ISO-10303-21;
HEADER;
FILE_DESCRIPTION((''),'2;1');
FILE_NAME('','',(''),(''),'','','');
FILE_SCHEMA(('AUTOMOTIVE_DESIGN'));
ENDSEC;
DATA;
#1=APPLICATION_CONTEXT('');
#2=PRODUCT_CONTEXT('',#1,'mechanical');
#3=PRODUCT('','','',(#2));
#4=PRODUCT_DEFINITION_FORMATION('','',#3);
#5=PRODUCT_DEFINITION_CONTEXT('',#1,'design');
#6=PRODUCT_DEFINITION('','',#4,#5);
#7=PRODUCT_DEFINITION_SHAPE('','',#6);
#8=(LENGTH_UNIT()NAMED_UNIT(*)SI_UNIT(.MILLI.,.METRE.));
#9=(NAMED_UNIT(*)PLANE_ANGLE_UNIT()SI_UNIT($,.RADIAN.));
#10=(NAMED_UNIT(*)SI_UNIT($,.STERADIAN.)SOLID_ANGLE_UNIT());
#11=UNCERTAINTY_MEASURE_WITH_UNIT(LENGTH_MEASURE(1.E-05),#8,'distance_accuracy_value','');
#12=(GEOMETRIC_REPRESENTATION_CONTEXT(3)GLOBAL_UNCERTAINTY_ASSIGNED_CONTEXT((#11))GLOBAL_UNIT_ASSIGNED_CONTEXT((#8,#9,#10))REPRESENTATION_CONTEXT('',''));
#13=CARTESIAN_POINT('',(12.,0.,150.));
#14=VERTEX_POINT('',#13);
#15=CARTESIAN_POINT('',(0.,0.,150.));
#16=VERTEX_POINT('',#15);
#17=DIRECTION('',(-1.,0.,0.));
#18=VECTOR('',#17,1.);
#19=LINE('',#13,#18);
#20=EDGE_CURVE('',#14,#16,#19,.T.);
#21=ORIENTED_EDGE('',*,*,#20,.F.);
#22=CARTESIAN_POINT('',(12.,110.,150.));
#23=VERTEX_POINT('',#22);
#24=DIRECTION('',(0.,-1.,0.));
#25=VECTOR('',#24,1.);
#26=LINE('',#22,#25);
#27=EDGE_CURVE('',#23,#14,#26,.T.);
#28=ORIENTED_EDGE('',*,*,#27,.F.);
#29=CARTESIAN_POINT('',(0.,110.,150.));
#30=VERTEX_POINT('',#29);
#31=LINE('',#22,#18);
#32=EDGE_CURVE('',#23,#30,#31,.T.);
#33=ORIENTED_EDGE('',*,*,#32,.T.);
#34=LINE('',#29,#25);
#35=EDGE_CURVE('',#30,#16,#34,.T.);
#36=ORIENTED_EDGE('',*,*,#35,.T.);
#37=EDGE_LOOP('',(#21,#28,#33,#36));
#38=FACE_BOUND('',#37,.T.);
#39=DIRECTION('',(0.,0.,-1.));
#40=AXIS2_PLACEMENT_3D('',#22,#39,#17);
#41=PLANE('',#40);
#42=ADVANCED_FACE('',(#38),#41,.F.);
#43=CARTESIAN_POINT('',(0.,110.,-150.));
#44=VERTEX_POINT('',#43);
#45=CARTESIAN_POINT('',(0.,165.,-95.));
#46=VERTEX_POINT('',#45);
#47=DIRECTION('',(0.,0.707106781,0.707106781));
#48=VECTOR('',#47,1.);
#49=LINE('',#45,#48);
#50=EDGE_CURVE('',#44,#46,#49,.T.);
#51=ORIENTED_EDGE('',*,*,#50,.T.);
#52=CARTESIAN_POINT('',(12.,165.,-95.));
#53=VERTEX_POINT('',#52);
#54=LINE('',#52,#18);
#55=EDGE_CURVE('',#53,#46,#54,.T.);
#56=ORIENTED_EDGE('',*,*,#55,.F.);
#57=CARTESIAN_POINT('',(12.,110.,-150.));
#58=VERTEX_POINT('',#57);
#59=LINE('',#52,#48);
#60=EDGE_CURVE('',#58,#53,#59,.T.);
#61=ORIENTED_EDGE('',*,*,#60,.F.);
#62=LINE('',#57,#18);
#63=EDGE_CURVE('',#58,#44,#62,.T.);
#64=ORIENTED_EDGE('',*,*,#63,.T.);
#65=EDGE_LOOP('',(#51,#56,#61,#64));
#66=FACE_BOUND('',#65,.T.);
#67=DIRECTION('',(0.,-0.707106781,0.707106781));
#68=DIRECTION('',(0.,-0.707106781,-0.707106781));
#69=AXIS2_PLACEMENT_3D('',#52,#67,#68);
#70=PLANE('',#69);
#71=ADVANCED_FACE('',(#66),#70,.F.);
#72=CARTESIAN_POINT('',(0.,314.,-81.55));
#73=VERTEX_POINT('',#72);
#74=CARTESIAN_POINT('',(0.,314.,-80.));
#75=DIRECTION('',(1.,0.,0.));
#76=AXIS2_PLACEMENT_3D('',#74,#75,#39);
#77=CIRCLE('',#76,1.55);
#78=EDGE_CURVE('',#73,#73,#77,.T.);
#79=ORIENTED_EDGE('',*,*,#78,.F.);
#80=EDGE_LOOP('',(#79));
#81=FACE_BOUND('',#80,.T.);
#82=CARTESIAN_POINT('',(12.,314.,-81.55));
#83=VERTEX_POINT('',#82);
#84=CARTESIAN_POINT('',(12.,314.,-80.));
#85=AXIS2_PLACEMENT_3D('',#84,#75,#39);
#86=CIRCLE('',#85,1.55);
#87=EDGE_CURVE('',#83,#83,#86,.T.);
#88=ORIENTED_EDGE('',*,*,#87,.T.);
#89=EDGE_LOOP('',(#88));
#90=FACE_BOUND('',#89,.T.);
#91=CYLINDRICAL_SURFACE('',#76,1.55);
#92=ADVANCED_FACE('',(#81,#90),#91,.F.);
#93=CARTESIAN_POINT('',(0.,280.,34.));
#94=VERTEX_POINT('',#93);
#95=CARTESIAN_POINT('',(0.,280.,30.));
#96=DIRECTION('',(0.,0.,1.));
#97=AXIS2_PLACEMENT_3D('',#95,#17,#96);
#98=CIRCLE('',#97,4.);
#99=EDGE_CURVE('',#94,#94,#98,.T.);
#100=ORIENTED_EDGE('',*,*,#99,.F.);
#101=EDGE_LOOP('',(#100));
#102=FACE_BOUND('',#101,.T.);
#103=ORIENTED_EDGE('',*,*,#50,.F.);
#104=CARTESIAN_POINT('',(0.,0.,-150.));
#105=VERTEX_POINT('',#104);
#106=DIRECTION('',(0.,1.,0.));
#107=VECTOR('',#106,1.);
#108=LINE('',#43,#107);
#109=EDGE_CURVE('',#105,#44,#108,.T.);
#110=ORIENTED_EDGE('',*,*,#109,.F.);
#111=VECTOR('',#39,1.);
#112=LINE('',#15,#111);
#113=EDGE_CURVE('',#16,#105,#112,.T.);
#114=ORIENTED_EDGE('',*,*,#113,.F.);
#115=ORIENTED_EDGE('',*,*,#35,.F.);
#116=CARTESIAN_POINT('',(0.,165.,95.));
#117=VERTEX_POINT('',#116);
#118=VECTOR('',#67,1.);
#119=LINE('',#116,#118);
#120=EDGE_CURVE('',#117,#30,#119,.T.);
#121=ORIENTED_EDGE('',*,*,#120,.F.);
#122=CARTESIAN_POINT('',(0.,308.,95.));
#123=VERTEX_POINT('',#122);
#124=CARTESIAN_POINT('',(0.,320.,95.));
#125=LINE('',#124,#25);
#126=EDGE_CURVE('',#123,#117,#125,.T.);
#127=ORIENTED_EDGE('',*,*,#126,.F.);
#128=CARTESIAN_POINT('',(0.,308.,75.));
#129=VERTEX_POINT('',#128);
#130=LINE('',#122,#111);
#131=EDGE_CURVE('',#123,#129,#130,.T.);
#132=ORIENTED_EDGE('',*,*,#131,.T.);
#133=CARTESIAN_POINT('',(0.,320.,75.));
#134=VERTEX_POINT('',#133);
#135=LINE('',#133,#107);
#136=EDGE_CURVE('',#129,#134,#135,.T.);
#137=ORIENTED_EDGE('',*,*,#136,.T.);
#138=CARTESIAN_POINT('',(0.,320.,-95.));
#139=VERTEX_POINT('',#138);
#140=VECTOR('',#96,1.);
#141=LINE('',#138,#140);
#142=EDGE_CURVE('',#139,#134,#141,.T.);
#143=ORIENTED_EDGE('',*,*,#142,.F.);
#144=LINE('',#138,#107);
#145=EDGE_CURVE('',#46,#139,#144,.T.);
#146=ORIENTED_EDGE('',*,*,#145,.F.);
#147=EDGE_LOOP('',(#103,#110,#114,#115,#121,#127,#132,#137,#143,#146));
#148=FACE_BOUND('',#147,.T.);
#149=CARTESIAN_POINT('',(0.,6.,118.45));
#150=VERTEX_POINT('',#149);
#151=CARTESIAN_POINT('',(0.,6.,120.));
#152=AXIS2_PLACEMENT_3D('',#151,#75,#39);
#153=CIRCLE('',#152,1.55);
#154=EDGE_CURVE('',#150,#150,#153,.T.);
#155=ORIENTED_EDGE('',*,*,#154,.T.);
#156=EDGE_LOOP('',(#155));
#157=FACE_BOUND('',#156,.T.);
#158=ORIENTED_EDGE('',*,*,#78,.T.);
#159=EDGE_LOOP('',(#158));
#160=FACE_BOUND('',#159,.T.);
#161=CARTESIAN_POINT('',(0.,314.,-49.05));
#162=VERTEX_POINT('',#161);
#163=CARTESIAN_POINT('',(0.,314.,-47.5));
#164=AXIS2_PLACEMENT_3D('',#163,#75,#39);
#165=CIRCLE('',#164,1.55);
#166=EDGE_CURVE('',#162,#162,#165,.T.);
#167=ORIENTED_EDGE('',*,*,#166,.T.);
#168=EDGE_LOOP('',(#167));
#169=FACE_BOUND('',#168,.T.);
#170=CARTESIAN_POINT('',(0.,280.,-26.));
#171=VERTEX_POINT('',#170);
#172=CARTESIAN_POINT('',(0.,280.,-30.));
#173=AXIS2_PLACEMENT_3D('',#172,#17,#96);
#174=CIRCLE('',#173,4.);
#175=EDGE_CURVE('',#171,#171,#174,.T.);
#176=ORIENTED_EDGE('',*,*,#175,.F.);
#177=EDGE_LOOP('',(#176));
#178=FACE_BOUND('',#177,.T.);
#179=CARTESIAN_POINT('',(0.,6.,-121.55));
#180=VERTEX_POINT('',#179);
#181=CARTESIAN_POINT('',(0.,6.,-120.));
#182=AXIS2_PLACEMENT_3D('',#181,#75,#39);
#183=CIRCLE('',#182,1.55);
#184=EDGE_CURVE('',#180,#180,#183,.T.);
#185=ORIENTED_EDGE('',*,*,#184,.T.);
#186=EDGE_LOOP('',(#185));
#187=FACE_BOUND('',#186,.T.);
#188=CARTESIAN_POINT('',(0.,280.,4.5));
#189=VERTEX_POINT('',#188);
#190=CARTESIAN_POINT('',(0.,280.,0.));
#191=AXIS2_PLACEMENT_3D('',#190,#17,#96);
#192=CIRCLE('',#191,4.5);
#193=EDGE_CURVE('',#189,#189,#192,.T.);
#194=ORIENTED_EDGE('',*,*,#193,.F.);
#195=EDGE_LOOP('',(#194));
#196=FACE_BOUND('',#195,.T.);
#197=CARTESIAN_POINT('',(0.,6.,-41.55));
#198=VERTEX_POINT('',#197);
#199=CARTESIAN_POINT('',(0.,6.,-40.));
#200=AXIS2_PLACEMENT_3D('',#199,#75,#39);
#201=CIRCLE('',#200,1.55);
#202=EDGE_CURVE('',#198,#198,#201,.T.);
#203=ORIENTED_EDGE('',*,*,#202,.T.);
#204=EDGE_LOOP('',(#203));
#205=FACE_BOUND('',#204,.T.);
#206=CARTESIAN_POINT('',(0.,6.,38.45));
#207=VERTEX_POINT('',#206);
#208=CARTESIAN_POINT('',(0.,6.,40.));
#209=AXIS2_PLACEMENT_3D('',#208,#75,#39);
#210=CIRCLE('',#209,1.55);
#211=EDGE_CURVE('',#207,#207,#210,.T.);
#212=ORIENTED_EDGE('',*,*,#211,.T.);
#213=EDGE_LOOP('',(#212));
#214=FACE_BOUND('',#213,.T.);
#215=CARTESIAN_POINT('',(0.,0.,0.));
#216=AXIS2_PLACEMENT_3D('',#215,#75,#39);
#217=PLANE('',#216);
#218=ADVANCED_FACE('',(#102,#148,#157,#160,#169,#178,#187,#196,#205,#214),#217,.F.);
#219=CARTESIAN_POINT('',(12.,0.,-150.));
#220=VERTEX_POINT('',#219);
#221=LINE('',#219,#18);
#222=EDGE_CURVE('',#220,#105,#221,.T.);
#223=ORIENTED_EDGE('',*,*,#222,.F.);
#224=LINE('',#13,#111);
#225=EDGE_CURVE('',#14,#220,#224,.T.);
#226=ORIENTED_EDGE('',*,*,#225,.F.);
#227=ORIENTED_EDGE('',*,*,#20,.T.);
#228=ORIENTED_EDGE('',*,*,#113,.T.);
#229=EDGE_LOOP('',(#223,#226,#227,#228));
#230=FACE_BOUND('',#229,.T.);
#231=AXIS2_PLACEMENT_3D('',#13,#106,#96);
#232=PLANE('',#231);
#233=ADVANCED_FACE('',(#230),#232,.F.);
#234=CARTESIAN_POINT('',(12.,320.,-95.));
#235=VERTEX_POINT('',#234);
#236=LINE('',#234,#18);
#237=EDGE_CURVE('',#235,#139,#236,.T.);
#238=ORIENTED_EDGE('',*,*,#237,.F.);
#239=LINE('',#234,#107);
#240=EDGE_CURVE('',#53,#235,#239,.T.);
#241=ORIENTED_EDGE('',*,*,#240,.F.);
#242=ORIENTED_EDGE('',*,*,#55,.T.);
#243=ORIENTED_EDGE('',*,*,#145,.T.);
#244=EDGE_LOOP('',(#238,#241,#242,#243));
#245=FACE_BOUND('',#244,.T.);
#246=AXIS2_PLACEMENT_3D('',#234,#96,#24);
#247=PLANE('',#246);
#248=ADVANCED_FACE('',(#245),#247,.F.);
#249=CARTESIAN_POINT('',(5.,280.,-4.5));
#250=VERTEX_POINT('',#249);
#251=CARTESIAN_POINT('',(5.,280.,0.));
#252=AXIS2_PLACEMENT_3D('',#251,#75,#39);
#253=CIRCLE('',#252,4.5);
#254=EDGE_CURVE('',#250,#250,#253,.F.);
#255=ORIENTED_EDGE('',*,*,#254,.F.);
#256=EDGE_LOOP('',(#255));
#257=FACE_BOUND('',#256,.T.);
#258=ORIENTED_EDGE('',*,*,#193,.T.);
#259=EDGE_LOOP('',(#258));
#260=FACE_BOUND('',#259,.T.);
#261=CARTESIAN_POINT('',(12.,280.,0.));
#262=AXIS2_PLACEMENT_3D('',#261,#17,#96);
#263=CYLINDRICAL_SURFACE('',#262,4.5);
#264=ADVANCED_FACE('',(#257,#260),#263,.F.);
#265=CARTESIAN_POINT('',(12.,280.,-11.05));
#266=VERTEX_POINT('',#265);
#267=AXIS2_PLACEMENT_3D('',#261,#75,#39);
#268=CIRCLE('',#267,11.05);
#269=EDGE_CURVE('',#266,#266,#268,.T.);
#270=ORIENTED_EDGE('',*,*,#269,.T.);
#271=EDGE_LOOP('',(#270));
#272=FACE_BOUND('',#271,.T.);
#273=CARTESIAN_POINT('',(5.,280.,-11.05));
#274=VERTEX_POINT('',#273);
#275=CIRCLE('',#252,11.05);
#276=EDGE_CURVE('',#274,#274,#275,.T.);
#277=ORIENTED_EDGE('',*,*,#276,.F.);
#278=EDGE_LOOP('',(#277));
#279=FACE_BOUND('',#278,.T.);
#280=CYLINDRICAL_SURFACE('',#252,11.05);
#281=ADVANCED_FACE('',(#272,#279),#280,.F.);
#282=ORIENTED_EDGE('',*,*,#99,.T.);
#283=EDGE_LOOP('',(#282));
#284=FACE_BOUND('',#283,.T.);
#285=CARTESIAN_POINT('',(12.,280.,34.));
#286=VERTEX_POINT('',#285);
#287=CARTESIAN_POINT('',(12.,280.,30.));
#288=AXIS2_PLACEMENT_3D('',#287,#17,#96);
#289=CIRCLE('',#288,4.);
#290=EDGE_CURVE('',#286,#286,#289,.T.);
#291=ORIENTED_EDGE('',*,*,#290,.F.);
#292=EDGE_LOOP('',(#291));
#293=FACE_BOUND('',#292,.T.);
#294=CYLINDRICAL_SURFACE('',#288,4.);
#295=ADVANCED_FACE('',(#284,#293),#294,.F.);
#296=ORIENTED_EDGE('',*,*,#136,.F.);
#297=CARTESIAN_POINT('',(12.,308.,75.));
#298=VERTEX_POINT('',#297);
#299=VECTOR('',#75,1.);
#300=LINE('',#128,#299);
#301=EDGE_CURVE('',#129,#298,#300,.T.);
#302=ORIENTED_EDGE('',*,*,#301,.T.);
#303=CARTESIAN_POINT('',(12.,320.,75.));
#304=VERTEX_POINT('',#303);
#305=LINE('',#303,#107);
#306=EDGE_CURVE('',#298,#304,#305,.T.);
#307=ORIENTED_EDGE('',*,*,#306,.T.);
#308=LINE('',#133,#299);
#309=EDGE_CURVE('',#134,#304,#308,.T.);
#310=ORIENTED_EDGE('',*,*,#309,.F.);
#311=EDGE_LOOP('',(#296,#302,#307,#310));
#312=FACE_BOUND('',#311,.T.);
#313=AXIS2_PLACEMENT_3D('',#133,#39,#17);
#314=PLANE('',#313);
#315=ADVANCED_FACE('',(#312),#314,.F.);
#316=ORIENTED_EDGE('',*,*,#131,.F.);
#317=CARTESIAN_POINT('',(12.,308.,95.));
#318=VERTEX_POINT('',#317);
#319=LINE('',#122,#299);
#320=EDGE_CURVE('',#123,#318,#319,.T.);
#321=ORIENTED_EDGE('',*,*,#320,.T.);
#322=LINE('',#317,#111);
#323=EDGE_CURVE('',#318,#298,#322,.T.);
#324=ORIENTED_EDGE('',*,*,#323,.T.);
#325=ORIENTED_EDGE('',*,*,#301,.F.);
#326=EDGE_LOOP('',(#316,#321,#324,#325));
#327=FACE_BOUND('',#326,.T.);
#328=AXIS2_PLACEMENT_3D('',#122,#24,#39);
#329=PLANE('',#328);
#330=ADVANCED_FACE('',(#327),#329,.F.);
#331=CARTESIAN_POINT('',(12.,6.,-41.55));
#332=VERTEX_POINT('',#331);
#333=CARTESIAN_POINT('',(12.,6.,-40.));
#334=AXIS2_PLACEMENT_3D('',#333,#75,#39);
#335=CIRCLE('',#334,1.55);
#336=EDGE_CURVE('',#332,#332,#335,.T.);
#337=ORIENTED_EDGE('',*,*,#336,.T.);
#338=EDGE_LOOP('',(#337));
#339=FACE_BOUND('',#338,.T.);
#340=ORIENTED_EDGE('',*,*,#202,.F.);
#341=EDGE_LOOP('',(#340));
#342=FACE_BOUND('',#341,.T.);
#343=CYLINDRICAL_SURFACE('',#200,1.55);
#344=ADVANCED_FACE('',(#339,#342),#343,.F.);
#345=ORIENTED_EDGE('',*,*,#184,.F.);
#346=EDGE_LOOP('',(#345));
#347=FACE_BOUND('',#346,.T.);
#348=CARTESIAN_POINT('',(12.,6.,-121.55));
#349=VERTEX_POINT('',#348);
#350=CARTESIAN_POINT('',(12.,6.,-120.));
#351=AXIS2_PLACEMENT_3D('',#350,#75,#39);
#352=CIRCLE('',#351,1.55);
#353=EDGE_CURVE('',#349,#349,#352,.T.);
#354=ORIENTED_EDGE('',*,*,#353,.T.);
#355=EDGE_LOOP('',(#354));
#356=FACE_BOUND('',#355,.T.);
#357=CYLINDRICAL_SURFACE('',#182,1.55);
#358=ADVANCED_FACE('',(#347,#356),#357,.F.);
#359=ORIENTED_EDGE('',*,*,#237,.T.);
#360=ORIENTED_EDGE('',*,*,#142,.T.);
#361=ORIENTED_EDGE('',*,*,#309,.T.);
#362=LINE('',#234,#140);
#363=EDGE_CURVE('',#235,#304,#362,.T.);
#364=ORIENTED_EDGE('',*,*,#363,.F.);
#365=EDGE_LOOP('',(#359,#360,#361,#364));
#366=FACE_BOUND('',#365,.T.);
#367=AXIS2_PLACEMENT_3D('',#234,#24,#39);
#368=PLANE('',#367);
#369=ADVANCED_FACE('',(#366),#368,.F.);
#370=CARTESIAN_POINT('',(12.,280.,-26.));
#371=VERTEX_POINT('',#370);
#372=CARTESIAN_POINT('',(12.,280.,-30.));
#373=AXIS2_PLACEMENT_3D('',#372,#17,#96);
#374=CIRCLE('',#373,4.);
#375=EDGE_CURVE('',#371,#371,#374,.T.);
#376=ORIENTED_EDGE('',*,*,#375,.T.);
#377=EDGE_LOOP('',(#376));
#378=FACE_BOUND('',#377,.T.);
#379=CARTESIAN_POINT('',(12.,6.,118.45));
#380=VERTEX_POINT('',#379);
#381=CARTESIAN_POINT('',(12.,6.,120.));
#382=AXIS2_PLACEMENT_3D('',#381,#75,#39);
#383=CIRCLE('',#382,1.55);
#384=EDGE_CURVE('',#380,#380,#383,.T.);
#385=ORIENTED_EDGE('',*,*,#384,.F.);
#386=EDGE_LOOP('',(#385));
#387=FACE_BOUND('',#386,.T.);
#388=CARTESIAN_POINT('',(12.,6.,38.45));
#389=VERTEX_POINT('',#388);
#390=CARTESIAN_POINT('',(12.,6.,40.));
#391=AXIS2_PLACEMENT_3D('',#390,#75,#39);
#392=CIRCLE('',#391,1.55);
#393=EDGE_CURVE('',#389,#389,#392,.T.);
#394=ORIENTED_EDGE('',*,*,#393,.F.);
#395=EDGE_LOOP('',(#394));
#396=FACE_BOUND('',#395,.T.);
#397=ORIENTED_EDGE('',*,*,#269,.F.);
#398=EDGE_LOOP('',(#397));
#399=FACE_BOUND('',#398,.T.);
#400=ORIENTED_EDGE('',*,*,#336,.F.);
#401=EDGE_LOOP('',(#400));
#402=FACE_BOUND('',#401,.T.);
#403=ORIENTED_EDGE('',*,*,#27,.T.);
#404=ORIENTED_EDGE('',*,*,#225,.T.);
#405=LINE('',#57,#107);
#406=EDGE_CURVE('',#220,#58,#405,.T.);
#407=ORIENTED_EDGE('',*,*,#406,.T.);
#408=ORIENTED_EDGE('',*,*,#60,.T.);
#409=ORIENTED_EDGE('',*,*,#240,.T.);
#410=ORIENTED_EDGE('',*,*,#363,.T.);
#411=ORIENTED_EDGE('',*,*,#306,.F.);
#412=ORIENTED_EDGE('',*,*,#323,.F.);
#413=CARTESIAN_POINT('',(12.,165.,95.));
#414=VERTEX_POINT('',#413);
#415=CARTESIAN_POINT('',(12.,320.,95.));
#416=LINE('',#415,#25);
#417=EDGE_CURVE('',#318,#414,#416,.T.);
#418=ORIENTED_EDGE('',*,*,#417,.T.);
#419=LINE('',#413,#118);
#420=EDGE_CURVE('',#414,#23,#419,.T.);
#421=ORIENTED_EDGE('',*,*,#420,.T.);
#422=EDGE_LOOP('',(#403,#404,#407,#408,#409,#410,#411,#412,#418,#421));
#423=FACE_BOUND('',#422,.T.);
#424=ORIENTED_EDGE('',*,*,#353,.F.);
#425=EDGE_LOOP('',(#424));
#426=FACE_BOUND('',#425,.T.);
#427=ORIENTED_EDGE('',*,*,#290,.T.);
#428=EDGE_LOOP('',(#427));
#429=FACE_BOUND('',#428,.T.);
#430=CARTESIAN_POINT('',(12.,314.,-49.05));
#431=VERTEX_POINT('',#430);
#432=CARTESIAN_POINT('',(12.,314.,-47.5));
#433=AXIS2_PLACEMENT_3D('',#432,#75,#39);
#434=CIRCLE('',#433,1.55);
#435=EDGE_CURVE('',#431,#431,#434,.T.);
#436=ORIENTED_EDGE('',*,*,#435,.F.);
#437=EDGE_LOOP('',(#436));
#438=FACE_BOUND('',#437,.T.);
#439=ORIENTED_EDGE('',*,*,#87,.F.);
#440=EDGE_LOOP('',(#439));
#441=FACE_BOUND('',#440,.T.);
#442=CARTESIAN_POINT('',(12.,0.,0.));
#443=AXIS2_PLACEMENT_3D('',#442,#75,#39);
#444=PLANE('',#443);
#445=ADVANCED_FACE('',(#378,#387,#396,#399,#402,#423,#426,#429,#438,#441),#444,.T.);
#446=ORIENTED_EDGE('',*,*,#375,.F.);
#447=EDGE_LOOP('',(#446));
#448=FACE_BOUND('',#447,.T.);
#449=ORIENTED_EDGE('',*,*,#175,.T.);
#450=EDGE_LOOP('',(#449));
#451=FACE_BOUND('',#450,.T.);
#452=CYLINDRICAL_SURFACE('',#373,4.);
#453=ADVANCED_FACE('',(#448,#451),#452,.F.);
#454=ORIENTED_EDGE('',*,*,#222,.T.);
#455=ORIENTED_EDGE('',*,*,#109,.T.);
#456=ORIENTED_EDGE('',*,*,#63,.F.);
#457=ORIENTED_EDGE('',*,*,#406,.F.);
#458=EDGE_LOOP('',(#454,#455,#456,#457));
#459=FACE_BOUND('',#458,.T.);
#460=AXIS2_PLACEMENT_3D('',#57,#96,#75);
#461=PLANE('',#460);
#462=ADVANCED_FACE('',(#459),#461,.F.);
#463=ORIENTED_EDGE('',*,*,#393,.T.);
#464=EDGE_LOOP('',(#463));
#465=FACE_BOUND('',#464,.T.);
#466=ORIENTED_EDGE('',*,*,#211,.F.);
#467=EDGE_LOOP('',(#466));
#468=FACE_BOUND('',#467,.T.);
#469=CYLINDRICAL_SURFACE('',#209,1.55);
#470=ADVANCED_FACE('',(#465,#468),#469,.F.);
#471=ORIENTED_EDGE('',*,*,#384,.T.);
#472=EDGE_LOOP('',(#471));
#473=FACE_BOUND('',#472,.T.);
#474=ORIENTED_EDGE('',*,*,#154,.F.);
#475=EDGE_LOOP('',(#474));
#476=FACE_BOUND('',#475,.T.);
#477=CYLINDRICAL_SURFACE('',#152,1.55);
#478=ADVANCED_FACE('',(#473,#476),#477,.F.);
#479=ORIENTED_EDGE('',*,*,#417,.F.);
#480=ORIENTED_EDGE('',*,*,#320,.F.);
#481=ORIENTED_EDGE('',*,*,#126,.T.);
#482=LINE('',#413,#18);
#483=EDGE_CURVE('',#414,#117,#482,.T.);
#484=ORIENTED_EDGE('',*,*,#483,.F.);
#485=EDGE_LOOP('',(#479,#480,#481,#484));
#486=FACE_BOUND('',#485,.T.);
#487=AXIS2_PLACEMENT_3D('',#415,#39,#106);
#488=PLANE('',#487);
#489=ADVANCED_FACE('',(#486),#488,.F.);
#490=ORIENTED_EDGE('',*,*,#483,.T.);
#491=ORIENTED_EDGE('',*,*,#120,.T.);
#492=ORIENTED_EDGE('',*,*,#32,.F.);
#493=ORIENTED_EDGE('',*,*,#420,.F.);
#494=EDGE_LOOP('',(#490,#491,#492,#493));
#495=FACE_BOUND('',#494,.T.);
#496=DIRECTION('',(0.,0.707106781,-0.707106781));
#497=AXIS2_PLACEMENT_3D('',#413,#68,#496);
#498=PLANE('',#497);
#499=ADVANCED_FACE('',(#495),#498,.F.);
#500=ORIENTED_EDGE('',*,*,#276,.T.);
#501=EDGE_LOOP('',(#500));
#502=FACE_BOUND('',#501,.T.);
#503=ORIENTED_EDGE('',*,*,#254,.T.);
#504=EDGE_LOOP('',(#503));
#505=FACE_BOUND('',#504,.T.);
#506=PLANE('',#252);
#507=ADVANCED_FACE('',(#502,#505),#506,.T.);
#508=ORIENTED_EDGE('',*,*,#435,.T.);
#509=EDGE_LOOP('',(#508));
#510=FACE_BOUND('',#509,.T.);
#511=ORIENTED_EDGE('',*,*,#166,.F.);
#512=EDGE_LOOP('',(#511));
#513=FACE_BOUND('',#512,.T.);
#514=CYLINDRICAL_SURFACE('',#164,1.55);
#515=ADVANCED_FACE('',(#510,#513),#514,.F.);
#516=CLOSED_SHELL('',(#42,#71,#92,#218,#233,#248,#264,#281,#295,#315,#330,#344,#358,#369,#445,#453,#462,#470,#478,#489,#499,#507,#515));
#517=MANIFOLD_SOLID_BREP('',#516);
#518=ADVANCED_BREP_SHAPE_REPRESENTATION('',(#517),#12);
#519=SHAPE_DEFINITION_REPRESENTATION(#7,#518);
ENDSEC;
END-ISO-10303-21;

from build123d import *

# Parameters (mm, degrees)
BOSS_EXTRUDE1_DEPTH = 12
SKETCH2_R           = 4
CUT_EXTRUDE1_DEPTH  = 13
SKETCH3_R           = 4.5
CUT_EXTRUDE2_DEPTH  = 13
SKETCH4_R           = 11.05
CUT_EXTRUDE3_DEPTH  = 7
SKETCH5_W           = 20
SKETCH5_H           = 12
CUT_EXTRUDE4_DEPTH  = 13
SKETCH6_R           = 1.55
CUT_EXTRUDE5_DEPTH  = 13


with BuildPart() as part:
    # Sketch1 → Boss-Extrude1 (new body)
    with BuildSketch(Plane(origin=(0, 0, 0), x_dir=(0, 0, -1), z_dir=(1, 0, 0))):
        Polygon((95, 320), (-95, 320), (-95, 165), (-150, 110), (-150, 0), (150, 0), (150, 110), (95, 165), align=None)
    extrude(amount=BOSS_EXTRUDE1_DEPTH)

    # Sketch2 → Cut-Extrude1 (cut, through all)
    with BuildSketch(Plane.ZY):
        with Locations((30, 280)):
            Circle(SKETCH2_R)
        with Locations((-30, 280)):
            Circle(SKETCH2_R)
    extrude(amount=-CUT_EXTRUDE1_DEPTH, mode=Mode.SUBTRACT)

    # Sketch3 → Cut-Extrude2 (cut, through all)
    with BuildSketch(Plane.ZY):
        with Locations((0, 280)):
            Circle(SKETCH3_R)
    extrude(amount=-CUT_EXTRUDE2_DEPTH, mode=Mode.SUBTRACT)

    # Sketch4 → Cut-Extrude3 (cut)
    with BuildSketch(Plane(origin=(12, 0, 0), x_dir=(0, 0, -1), z_dir=(1, 0, 0))):
        with Locations((0, 280)):
            Circle(SKETCH4_R)
    extrude(amount=-CUT_EXTRUDE3_DEPTH, mode=Mode.SUBTRACT)

    # Sketch5 → Cut-Extrude4 (cut, through all)
    with BuildSketch(Plane(origin=(12, 0, 0), x_dir=(0, 0, -1), z_dir=(1, 0, 0))):
        with Locations((-85, 314)):
            Rectangle(SKETCH5_W, SKETCH5_H)
    extrude(amount=-CUT_EXTRUDE4_DEPTH, mode=Mode.SUBTRACT)

    # Sketch6 → Cut-Extrude5 (cut, through all)
    with BuildSketch(Plane(origin=(12, 0, 0), x_dir=(0, 0, -1), z_dir=(1, 0, 0))):
        with Locations((-120, 6)):
            Circle(SKETCH6_R)
        with Locations((-40, 6)):
            Circle(SKETCH6_R)
        with Locations((40, 6)):
            Circle(SKETCH6_R)
        with Locations((120, 6)):
            Circle(SKETCH6_R)
        with Locations((80, 314)):
            Circle(SKETCH6_R)
        with Locations((47.5, 314)):
            Circle(SKETCH6_R)
    extrude(amount=-CUT_EXTRUDE5_DEPTH, mode=Mode.SUBTRACT)


solid = part.part
